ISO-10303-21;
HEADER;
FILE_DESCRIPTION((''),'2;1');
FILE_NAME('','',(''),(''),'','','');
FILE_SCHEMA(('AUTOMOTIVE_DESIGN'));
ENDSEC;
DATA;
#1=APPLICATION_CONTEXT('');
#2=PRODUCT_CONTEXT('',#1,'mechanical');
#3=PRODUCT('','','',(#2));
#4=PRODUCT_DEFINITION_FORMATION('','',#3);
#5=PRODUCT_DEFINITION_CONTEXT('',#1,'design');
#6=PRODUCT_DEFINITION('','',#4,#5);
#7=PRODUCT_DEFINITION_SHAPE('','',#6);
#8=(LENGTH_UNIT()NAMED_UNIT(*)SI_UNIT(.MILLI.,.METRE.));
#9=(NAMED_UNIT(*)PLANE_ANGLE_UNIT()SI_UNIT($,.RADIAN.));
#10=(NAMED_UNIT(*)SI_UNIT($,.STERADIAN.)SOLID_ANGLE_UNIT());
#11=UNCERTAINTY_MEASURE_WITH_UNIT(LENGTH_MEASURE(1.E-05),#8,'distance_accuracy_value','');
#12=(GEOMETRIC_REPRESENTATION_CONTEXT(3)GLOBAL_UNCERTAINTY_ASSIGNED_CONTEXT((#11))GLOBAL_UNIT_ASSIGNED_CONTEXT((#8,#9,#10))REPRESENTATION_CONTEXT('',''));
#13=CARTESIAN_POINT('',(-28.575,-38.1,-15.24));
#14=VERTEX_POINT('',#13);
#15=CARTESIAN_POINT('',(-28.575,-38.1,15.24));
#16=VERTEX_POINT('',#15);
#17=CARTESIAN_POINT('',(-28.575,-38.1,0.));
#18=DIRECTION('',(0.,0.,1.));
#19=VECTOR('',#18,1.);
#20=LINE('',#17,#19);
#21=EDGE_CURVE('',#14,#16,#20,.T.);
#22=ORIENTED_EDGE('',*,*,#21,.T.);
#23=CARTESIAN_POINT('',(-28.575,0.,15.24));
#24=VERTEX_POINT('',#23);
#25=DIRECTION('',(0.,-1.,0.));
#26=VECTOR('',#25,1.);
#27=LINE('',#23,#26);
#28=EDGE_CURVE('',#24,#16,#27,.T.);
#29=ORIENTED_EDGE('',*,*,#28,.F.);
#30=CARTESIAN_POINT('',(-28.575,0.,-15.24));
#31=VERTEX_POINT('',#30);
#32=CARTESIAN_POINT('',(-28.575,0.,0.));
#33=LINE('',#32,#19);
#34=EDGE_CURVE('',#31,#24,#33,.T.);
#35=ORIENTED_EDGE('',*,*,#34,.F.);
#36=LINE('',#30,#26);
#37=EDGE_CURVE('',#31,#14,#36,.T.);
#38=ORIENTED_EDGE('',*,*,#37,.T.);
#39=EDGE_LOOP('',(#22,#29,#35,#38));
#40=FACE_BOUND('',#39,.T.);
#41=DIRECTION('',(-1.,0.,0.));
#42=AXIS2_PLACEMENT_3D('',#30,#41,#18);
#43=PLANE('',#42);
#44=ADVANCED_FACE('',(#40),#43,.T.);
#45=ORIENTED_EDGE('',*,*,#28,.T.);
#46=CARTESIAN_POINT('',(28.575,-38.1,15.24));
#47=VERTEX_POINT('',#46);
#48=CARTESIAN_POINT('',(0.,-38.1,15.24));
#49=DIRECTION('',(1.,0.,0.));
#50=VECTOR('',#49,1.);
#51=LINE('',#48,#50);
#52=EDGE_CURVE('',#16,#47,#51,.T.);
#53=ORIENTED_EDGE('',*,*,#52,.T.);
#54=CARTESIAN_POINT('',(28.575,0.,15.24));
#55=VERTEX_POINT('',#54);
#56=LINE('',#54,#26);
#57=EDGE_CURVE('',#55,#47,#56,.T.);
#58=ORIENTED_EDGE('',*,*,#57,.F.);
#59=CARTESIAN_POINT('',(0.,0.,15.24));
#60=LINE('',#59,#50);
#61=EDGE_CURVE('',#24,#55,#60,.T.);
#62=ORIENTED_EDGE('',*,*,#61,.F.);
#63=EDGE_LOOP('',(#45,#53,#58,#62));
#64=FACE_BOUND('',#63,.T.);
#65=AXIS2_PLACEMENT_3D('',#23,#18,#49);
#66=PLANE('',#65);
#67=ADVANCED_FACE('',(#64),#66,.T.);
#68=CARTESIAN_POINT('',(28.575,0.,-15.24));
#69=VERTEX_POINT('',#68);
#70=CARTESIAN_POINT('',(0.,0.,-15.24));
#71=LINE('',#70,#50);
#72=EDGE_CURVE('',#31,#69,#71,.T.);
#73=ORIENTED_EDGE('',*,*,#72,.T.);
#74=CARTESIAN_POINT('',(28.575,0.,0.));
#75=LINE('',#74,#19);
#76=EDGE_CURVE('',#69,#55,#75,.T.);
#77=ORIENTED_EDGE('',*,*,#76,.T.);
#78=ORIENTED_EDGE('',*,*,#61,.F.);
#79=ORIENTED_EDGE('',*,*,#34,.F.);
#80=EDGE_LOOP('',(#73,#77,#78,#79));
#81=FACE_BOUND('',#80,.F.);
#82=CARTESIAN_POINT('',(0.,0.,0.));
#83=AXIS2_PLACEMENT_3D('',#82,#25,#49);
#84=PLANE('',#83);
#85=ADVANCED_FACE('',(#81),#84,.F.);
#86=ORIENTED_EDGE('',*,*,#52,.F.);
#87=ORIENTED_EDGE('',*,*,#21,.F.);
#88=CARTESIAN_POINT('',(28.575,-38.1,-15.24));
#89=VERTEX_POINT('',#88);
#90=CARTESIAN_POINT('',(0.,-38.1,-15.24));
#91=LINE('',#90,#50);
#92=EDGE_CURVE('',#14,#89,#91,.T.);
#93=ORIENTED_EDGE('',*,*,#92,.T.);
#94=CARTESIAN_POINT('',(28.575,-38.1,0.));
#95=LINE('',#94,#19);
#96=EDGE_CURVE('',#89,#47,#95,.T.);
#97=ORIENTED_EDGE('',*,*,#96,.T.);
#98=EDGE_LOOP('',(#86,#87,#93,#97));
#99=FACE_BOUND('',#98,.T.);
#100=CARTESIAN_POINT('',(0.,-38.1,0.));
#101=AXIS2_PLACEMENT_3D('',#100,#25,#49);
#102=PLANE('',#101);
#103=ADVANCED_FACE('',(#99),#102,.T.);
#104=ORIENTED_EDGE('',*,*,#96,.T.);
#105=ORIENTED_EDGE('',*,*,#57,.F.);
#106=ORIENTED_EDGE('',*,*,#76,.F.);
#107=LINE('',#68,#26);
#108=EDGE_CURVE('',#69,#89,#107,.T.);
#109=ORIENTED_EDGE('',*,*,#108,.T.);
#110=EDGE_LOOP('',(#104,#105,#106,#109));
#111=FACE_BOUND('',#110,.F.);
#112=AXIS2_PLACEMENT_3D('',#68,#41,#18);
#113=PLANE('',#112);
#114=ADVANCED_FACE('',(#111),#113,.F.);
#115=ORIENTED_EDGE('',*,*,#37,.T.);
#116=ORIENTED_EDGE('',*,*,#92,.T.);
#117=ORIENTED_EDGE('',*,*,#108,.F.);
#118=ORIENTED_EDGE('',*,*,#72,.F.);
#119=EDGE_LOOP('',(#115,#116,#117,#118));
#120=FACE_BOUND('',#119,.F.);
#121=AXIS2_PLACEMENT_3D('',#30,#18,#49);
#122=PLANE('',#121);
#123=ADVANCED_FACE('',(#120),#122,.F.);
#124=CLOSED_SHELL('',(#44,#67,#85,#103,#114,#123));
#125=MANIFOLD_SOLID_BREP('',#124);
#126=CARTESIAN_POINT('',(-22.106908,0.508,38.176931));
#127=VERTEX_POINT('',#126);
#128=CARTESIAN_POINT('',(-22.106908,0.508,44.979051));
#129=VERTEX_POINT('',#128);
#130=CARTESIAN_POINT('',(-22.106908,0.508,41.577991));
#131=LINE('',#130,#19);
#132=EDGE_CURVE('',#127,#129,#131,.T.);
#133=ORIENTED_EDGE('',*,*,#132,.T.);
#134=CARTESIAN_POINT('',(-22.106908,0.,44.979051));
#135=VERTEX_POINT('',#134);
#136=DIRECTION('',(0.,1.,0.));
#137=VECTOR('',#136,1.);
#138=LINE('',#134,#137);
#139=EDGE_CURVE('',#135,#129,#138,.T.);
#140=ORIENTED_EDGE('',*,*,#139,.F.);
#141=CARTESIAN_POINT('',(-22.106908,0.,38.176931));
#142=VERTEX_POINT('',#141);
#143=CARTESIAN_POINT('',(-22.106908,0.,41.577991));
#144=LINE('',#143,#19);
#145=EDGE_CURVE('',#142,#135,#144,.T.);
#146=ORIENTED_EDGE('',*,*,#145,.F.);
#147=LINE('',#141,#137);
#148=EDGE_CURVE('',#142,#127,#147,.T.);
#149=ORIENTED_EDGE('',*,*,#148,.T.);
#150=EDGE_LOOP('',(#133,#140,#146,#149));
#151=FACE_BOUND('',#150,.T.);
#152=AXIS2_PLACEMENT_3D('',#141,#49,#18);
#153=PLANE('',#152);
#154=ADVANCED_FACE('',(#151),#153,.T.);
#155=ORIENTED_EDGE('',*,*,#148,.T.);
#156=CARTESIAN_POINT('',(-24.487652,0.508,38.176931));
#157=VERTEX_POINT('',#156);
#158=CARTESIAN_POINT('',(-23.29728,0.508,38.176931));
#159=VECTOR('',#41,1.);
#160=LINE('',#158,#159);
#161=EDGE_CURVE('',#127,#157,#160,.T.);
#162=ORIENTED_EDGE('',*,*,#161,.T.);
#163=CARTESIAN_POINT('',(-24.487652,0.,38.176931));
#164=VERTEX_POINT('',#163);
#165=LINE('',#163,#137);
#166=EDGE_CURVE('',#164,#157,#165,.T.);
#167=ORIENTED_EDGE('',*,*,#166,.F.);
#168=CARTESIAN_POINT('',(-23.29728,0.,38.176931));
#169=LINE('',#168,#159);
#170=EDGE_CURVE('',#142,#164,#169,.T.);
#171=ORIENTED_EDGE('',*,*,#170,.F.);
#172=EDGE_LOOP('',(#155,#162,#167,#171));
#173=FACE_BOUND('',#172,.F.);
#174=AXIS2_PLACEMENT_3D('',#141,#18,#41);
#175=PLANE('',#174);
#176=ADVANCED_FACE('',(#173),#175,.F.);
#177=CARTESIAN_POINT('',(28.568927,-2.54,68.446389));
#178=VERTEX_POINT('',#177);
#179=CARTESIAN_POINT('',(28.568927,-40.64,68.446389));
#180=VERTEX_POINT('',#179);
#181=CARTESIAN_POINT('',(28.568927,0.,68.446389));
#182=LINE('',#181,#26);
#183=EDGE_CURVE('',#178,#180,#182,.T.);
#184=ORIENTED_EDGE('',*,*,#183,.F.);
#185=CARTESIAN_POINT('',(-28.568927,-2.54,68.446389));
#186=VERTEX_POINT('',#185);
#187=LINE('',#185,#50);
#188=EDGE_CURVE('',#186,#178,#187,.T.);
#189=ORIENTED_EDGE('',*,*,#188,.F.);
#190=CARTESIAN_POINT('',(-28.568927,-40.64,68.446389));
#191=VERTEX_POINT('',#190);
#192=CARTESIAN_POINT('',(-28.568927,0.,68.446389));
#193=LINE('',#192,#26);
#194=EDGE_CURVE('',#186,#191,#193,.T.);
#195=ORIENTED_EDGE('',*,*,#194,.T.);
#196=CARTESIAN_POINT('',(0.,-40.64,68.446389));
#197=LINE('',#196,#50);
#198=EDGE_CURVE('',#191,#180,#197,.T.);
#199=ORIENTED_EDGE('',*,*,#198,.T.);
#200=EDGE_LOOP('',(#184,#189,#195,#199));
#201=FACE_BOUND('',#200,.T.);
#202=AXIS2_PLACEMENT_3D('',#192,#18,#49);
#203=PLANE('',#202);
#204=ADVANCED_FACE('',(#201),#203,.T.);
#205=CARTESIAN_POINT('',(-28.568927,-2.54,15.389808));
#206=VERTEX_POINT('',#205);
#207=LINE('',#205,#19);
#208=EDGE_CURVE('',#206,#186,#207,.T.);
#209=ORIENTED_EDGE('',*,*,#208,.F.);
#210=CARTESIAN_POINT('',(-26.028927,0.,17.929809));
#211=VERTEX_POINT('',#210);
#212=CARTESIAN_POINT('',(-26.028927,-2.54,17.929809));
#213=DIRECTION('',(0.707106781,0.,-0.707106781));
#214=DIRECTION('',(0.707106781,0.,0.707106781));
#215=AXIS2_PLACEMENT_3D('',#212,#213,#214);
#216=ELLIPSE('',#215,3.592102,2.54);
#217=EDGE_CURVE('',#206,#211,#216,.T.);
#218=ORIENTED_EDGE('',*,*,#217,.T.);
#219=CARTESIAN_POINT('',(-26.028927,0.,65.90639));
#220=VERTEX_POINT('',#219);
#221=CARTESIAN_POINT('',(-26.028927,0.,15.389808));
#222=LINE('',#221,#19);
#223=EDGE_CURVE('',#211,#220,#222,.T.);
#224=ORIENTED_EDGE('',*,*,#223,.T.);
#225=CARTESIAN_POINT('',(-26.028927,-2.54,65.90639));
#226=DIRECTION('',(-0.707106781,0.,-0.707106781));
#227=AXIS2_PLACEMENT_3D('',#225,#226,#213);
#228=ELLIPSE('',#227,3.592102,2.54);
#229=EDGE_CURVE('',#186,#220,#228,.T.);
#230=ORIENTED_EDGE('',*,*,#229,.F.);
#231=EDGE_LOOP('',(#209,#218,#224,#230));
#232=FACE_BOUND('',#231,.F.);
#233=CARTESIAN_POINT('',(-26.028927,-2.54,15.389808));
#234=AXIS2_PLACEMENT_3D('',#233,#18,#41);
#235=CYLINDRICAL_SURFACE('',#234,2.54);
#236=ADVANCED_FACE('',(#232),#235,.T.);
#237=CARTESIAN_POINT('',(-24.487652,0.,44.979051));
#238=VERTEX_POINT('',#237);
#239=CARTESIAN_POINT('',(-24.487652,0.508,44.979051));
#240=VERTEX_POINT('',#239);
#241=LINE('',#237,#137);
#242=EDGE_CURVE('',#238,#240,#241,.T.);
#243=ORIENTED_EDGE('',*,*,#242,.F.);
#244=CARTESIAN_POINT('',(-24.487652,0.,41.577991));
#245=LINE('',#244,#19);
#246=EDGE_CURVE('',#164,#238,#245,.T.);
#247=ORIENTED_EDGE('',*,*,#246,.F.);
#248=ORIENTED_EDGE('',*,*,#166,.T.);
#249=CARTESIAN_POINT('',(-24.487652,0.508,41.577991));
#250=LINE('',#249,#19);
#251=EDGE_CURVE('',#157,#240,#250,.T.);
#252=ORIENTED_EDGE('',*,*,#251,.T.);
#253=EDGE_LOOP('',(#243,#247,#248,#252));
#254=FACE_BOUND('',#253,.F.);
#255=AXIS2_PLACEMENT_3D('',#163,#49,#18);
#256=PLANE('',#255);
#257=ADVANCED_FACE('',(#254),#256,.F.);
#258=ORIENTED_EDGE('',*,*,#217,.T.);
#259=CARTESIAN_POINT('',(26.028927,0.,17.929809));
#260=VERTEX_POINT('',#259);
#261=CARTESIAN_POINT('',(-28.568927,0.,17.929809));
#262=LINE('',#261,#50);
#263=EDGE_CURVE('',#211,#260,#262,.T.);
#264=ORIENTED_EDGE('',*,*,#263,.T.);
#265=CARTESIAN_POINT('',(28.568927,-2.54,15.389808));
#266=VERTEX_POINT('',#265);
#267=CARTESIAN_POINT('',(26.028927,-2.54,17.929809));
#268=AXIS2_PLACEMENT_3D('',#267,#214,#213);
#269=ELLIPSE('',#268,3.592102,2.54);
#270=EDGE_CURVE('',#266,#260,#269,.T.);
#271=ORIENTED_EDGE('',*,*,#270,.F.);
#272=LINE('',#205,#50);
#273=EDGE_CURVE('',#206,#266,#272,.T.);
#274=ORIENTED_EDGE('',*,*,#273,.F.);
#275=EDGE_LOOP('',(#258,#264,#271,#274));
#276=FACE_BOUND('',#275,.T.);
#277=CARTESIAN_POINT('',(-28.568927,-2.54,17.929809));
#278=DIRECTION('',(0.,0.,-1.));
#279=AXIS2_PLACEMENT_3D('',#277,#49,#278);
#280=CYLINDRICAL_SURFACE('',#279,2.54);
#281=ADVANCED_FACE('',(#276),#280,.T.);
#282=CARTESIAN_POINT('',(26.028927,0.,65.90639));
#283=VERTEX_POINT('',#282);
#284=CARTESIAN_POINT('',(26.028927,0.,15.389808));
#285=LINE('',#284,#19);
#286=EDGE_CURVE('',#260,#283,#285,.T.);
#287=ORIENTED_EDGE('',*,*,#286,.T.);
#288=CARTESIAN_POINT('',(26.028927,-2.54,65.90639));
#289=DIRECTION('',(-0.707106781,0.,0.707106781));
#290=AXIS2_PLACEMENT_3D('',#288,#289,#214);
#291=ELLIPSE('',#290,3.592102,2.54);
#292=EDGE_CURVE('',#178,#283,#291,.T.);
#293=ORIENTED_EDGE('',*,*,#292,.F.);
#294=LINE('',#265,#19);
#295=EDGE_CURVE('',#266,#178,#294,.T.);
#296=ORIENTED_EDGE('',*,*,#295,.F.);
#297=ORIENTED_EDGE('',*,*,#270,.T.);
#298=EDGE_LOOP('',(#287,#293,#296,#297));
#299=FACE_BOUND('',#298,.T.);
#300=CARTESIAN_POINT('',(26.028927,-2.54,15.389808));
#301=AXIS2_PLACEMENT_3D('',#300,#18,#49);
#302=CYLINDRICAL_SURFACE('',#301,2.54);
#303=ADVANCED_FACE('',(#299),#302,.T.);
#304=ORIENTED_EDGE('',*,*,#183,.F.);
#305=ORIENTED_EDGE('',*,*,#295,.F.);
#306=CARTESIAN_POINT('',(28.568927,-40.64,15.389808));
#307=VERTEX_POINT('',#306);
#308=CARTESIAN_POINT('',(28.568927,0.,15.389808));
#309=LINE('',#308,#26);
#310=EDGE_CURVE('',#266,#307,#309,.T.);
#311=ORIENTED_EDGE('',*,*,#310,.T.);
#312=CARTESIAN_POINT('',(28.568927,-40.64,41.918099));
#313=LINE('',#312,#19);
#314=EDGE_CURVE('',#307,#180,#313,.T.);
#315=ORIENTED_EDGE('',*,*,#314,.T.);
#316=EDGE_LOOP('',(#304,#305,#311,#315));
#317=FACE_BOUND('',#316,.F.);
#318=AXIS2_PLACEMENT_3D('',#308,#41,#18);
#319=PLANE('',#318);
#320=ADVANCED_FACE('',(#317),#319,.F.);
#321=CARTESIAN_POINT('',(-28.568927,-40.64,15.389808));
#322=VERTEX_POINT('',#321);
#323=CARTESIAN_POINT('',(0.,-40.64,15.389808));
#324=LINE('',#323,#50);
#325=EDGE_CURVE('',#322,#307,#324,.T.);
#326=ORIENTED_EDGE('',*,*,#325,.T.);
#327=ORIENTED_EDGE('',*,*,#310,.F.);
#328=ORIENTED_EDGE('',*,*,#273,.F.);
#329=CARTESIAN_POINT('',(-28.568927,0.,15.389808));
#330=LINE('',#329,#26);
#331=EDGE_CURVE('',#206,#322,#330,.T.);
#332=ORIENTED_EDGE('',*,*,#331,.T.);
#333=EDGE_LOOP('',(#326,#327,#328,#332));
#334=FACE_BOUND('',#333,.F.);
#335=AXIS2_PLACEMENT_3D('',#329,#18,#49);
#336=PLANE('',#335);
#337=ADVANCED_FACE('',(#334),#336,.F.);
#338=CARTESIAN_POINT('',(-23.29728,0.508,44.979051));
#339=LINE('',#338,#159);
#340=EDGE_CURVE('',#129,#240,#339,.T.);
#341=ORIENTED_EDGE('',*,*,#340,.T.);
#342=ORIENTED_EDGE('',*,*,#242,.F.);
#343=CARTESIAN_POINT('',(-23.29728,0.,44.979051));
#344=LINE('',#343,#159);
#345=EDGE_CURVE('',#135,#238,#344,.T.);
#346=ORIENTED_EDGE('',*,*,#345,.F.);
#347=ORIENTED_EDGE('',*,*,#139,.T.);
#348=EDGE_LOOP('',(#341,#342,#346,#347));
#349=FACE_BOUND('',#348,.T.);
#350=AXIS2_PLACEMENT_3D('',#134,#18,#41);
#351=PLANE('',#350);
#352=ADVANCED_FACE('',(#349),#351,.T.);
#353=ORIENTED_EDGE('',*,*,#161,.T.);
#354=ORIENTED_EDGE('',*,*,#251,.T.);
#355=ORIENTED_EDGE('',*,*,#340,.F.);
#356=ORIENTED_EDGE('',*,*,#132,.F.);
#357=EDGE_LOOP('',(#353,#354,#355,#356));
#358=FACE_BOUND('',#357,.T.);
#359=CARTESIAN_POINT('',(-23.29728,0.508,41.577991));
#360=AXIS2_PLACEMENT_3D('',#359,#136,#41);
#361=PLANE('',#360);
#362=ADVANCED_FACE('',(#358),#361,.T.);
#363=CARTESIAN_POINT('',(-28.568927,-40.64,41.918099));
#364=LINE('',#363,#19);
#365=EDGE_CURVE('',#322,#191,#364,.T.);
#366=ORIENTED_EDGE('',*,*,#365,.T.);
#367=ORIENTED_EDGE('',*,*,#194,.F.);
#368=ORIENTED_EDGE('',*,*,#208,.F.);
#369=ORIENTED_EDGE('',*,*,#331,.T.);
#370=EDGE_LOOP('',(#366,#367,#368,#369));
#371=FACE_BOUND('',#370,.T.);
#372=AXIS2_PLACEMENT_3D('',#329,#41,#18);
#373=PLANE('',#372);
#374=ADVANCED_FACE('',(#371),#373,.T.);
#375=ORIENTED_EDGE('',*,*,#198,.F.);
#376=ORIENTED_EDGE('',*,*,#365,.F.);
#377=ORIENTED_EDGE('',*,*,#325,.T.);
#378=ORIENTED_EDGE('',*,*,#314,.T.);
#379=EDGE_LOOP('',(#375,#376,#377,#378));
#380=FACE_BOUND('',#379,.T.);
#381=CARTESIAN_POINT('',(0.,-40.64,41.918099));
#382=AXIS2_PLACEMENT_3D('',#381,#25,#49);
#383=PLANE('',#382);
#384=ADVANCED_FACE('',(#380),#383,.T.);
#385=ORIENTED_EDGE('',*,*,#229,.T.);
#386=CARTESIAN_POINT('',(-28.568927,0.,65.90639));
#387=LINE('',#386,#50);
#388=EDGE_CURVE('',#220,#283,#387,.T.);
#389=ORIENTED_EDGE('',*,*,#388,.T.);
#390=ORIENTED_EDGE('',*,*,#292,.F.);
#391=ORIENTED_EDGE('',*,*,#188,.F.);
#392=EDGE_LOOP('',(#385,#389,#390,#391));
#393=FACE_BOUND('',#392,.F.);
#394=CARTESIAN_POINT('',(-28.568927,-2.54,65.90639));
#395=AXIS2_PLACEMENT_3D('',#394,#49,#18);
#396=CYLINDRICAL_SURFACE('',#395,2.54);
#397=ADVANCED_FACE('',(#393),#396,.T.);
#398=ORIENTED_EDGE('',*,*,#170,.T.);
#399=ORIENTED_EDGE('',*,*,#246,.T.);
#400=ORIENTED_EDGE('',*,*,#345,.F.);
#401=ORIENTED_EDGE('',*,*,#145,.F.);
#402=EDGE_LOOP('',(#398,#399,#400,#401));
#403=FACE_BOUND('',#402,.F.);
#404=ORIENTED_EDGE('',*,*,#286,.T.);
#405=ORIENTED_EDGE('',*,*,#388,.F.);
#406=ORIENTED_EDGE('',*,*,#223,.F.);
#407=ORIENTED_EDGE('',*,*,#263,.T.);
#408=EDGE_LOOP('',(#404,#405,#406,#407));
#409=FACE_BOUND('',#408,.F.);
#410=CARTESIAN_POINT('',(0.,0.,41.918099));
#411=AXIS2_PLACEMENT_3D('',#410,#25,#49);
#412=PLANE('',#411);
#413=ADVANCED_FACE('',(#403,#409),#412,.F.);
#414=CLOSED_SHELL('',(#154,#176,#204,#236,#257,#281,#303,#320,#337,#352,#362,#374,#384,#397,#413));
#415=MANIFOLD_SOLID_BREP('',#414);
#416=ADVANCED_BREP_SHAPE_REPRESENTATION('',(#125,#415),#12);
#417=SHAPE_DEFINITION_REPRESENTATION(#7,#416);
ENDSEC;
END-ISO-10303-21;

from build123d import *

# Parameters (mm, degrees)
F0_W     = 57.15
F0_H     = 30.48
F1_DEPTH = 38.1
F2_W     = 57.137854
F2_H     = 53.056581
F3_DEPTH = 40.64
F4_R     = 2.54
F5_W     = 2.380744
F5_H     = 6.80212
F6_DEPTH = 0.508


with BuildPart() as f1:
    # F0 (on Front) → F1 (new body)
    with BuildSketch(Plane.XZ):
        Rectangle(F0_W, F0_H)
    extrude(amount=F1_DEPTH)


with BuildPart() as f3:
    # F2 (on Front) → F3 (new body)
    with BuildSketch(Plane.XZ):
        with Locations((0, 41.918099)):
            Rectangle(F2_W, F2_H)
    extrude(amount=F3_DEPTH)

    # F4
    f4_edges = [f3.edges().sort_by_distance(p)[0] for p in [
        (0, 0, 15.389809),
        (28.568927, 0, 41.9181),
        (0, 0, 68.44639),
        (-28.568927, 0, 41.9181),
    ]]
    fillet(f4_edges, radius=F4_R)

    # F5 (on face) → F6 (join)
    with BuildSketch(Plane(origin=(0, 0, 0), x_dir=(-1, 0, 0), z_dir=(0, 1, 0))):
        with Locations((23.29728, 41.577991)):
            Rectangle(F5_W, F5_H)
    extrude(amount=F6_DEPTH)


solid = Compound([f1.part, f3.part])
